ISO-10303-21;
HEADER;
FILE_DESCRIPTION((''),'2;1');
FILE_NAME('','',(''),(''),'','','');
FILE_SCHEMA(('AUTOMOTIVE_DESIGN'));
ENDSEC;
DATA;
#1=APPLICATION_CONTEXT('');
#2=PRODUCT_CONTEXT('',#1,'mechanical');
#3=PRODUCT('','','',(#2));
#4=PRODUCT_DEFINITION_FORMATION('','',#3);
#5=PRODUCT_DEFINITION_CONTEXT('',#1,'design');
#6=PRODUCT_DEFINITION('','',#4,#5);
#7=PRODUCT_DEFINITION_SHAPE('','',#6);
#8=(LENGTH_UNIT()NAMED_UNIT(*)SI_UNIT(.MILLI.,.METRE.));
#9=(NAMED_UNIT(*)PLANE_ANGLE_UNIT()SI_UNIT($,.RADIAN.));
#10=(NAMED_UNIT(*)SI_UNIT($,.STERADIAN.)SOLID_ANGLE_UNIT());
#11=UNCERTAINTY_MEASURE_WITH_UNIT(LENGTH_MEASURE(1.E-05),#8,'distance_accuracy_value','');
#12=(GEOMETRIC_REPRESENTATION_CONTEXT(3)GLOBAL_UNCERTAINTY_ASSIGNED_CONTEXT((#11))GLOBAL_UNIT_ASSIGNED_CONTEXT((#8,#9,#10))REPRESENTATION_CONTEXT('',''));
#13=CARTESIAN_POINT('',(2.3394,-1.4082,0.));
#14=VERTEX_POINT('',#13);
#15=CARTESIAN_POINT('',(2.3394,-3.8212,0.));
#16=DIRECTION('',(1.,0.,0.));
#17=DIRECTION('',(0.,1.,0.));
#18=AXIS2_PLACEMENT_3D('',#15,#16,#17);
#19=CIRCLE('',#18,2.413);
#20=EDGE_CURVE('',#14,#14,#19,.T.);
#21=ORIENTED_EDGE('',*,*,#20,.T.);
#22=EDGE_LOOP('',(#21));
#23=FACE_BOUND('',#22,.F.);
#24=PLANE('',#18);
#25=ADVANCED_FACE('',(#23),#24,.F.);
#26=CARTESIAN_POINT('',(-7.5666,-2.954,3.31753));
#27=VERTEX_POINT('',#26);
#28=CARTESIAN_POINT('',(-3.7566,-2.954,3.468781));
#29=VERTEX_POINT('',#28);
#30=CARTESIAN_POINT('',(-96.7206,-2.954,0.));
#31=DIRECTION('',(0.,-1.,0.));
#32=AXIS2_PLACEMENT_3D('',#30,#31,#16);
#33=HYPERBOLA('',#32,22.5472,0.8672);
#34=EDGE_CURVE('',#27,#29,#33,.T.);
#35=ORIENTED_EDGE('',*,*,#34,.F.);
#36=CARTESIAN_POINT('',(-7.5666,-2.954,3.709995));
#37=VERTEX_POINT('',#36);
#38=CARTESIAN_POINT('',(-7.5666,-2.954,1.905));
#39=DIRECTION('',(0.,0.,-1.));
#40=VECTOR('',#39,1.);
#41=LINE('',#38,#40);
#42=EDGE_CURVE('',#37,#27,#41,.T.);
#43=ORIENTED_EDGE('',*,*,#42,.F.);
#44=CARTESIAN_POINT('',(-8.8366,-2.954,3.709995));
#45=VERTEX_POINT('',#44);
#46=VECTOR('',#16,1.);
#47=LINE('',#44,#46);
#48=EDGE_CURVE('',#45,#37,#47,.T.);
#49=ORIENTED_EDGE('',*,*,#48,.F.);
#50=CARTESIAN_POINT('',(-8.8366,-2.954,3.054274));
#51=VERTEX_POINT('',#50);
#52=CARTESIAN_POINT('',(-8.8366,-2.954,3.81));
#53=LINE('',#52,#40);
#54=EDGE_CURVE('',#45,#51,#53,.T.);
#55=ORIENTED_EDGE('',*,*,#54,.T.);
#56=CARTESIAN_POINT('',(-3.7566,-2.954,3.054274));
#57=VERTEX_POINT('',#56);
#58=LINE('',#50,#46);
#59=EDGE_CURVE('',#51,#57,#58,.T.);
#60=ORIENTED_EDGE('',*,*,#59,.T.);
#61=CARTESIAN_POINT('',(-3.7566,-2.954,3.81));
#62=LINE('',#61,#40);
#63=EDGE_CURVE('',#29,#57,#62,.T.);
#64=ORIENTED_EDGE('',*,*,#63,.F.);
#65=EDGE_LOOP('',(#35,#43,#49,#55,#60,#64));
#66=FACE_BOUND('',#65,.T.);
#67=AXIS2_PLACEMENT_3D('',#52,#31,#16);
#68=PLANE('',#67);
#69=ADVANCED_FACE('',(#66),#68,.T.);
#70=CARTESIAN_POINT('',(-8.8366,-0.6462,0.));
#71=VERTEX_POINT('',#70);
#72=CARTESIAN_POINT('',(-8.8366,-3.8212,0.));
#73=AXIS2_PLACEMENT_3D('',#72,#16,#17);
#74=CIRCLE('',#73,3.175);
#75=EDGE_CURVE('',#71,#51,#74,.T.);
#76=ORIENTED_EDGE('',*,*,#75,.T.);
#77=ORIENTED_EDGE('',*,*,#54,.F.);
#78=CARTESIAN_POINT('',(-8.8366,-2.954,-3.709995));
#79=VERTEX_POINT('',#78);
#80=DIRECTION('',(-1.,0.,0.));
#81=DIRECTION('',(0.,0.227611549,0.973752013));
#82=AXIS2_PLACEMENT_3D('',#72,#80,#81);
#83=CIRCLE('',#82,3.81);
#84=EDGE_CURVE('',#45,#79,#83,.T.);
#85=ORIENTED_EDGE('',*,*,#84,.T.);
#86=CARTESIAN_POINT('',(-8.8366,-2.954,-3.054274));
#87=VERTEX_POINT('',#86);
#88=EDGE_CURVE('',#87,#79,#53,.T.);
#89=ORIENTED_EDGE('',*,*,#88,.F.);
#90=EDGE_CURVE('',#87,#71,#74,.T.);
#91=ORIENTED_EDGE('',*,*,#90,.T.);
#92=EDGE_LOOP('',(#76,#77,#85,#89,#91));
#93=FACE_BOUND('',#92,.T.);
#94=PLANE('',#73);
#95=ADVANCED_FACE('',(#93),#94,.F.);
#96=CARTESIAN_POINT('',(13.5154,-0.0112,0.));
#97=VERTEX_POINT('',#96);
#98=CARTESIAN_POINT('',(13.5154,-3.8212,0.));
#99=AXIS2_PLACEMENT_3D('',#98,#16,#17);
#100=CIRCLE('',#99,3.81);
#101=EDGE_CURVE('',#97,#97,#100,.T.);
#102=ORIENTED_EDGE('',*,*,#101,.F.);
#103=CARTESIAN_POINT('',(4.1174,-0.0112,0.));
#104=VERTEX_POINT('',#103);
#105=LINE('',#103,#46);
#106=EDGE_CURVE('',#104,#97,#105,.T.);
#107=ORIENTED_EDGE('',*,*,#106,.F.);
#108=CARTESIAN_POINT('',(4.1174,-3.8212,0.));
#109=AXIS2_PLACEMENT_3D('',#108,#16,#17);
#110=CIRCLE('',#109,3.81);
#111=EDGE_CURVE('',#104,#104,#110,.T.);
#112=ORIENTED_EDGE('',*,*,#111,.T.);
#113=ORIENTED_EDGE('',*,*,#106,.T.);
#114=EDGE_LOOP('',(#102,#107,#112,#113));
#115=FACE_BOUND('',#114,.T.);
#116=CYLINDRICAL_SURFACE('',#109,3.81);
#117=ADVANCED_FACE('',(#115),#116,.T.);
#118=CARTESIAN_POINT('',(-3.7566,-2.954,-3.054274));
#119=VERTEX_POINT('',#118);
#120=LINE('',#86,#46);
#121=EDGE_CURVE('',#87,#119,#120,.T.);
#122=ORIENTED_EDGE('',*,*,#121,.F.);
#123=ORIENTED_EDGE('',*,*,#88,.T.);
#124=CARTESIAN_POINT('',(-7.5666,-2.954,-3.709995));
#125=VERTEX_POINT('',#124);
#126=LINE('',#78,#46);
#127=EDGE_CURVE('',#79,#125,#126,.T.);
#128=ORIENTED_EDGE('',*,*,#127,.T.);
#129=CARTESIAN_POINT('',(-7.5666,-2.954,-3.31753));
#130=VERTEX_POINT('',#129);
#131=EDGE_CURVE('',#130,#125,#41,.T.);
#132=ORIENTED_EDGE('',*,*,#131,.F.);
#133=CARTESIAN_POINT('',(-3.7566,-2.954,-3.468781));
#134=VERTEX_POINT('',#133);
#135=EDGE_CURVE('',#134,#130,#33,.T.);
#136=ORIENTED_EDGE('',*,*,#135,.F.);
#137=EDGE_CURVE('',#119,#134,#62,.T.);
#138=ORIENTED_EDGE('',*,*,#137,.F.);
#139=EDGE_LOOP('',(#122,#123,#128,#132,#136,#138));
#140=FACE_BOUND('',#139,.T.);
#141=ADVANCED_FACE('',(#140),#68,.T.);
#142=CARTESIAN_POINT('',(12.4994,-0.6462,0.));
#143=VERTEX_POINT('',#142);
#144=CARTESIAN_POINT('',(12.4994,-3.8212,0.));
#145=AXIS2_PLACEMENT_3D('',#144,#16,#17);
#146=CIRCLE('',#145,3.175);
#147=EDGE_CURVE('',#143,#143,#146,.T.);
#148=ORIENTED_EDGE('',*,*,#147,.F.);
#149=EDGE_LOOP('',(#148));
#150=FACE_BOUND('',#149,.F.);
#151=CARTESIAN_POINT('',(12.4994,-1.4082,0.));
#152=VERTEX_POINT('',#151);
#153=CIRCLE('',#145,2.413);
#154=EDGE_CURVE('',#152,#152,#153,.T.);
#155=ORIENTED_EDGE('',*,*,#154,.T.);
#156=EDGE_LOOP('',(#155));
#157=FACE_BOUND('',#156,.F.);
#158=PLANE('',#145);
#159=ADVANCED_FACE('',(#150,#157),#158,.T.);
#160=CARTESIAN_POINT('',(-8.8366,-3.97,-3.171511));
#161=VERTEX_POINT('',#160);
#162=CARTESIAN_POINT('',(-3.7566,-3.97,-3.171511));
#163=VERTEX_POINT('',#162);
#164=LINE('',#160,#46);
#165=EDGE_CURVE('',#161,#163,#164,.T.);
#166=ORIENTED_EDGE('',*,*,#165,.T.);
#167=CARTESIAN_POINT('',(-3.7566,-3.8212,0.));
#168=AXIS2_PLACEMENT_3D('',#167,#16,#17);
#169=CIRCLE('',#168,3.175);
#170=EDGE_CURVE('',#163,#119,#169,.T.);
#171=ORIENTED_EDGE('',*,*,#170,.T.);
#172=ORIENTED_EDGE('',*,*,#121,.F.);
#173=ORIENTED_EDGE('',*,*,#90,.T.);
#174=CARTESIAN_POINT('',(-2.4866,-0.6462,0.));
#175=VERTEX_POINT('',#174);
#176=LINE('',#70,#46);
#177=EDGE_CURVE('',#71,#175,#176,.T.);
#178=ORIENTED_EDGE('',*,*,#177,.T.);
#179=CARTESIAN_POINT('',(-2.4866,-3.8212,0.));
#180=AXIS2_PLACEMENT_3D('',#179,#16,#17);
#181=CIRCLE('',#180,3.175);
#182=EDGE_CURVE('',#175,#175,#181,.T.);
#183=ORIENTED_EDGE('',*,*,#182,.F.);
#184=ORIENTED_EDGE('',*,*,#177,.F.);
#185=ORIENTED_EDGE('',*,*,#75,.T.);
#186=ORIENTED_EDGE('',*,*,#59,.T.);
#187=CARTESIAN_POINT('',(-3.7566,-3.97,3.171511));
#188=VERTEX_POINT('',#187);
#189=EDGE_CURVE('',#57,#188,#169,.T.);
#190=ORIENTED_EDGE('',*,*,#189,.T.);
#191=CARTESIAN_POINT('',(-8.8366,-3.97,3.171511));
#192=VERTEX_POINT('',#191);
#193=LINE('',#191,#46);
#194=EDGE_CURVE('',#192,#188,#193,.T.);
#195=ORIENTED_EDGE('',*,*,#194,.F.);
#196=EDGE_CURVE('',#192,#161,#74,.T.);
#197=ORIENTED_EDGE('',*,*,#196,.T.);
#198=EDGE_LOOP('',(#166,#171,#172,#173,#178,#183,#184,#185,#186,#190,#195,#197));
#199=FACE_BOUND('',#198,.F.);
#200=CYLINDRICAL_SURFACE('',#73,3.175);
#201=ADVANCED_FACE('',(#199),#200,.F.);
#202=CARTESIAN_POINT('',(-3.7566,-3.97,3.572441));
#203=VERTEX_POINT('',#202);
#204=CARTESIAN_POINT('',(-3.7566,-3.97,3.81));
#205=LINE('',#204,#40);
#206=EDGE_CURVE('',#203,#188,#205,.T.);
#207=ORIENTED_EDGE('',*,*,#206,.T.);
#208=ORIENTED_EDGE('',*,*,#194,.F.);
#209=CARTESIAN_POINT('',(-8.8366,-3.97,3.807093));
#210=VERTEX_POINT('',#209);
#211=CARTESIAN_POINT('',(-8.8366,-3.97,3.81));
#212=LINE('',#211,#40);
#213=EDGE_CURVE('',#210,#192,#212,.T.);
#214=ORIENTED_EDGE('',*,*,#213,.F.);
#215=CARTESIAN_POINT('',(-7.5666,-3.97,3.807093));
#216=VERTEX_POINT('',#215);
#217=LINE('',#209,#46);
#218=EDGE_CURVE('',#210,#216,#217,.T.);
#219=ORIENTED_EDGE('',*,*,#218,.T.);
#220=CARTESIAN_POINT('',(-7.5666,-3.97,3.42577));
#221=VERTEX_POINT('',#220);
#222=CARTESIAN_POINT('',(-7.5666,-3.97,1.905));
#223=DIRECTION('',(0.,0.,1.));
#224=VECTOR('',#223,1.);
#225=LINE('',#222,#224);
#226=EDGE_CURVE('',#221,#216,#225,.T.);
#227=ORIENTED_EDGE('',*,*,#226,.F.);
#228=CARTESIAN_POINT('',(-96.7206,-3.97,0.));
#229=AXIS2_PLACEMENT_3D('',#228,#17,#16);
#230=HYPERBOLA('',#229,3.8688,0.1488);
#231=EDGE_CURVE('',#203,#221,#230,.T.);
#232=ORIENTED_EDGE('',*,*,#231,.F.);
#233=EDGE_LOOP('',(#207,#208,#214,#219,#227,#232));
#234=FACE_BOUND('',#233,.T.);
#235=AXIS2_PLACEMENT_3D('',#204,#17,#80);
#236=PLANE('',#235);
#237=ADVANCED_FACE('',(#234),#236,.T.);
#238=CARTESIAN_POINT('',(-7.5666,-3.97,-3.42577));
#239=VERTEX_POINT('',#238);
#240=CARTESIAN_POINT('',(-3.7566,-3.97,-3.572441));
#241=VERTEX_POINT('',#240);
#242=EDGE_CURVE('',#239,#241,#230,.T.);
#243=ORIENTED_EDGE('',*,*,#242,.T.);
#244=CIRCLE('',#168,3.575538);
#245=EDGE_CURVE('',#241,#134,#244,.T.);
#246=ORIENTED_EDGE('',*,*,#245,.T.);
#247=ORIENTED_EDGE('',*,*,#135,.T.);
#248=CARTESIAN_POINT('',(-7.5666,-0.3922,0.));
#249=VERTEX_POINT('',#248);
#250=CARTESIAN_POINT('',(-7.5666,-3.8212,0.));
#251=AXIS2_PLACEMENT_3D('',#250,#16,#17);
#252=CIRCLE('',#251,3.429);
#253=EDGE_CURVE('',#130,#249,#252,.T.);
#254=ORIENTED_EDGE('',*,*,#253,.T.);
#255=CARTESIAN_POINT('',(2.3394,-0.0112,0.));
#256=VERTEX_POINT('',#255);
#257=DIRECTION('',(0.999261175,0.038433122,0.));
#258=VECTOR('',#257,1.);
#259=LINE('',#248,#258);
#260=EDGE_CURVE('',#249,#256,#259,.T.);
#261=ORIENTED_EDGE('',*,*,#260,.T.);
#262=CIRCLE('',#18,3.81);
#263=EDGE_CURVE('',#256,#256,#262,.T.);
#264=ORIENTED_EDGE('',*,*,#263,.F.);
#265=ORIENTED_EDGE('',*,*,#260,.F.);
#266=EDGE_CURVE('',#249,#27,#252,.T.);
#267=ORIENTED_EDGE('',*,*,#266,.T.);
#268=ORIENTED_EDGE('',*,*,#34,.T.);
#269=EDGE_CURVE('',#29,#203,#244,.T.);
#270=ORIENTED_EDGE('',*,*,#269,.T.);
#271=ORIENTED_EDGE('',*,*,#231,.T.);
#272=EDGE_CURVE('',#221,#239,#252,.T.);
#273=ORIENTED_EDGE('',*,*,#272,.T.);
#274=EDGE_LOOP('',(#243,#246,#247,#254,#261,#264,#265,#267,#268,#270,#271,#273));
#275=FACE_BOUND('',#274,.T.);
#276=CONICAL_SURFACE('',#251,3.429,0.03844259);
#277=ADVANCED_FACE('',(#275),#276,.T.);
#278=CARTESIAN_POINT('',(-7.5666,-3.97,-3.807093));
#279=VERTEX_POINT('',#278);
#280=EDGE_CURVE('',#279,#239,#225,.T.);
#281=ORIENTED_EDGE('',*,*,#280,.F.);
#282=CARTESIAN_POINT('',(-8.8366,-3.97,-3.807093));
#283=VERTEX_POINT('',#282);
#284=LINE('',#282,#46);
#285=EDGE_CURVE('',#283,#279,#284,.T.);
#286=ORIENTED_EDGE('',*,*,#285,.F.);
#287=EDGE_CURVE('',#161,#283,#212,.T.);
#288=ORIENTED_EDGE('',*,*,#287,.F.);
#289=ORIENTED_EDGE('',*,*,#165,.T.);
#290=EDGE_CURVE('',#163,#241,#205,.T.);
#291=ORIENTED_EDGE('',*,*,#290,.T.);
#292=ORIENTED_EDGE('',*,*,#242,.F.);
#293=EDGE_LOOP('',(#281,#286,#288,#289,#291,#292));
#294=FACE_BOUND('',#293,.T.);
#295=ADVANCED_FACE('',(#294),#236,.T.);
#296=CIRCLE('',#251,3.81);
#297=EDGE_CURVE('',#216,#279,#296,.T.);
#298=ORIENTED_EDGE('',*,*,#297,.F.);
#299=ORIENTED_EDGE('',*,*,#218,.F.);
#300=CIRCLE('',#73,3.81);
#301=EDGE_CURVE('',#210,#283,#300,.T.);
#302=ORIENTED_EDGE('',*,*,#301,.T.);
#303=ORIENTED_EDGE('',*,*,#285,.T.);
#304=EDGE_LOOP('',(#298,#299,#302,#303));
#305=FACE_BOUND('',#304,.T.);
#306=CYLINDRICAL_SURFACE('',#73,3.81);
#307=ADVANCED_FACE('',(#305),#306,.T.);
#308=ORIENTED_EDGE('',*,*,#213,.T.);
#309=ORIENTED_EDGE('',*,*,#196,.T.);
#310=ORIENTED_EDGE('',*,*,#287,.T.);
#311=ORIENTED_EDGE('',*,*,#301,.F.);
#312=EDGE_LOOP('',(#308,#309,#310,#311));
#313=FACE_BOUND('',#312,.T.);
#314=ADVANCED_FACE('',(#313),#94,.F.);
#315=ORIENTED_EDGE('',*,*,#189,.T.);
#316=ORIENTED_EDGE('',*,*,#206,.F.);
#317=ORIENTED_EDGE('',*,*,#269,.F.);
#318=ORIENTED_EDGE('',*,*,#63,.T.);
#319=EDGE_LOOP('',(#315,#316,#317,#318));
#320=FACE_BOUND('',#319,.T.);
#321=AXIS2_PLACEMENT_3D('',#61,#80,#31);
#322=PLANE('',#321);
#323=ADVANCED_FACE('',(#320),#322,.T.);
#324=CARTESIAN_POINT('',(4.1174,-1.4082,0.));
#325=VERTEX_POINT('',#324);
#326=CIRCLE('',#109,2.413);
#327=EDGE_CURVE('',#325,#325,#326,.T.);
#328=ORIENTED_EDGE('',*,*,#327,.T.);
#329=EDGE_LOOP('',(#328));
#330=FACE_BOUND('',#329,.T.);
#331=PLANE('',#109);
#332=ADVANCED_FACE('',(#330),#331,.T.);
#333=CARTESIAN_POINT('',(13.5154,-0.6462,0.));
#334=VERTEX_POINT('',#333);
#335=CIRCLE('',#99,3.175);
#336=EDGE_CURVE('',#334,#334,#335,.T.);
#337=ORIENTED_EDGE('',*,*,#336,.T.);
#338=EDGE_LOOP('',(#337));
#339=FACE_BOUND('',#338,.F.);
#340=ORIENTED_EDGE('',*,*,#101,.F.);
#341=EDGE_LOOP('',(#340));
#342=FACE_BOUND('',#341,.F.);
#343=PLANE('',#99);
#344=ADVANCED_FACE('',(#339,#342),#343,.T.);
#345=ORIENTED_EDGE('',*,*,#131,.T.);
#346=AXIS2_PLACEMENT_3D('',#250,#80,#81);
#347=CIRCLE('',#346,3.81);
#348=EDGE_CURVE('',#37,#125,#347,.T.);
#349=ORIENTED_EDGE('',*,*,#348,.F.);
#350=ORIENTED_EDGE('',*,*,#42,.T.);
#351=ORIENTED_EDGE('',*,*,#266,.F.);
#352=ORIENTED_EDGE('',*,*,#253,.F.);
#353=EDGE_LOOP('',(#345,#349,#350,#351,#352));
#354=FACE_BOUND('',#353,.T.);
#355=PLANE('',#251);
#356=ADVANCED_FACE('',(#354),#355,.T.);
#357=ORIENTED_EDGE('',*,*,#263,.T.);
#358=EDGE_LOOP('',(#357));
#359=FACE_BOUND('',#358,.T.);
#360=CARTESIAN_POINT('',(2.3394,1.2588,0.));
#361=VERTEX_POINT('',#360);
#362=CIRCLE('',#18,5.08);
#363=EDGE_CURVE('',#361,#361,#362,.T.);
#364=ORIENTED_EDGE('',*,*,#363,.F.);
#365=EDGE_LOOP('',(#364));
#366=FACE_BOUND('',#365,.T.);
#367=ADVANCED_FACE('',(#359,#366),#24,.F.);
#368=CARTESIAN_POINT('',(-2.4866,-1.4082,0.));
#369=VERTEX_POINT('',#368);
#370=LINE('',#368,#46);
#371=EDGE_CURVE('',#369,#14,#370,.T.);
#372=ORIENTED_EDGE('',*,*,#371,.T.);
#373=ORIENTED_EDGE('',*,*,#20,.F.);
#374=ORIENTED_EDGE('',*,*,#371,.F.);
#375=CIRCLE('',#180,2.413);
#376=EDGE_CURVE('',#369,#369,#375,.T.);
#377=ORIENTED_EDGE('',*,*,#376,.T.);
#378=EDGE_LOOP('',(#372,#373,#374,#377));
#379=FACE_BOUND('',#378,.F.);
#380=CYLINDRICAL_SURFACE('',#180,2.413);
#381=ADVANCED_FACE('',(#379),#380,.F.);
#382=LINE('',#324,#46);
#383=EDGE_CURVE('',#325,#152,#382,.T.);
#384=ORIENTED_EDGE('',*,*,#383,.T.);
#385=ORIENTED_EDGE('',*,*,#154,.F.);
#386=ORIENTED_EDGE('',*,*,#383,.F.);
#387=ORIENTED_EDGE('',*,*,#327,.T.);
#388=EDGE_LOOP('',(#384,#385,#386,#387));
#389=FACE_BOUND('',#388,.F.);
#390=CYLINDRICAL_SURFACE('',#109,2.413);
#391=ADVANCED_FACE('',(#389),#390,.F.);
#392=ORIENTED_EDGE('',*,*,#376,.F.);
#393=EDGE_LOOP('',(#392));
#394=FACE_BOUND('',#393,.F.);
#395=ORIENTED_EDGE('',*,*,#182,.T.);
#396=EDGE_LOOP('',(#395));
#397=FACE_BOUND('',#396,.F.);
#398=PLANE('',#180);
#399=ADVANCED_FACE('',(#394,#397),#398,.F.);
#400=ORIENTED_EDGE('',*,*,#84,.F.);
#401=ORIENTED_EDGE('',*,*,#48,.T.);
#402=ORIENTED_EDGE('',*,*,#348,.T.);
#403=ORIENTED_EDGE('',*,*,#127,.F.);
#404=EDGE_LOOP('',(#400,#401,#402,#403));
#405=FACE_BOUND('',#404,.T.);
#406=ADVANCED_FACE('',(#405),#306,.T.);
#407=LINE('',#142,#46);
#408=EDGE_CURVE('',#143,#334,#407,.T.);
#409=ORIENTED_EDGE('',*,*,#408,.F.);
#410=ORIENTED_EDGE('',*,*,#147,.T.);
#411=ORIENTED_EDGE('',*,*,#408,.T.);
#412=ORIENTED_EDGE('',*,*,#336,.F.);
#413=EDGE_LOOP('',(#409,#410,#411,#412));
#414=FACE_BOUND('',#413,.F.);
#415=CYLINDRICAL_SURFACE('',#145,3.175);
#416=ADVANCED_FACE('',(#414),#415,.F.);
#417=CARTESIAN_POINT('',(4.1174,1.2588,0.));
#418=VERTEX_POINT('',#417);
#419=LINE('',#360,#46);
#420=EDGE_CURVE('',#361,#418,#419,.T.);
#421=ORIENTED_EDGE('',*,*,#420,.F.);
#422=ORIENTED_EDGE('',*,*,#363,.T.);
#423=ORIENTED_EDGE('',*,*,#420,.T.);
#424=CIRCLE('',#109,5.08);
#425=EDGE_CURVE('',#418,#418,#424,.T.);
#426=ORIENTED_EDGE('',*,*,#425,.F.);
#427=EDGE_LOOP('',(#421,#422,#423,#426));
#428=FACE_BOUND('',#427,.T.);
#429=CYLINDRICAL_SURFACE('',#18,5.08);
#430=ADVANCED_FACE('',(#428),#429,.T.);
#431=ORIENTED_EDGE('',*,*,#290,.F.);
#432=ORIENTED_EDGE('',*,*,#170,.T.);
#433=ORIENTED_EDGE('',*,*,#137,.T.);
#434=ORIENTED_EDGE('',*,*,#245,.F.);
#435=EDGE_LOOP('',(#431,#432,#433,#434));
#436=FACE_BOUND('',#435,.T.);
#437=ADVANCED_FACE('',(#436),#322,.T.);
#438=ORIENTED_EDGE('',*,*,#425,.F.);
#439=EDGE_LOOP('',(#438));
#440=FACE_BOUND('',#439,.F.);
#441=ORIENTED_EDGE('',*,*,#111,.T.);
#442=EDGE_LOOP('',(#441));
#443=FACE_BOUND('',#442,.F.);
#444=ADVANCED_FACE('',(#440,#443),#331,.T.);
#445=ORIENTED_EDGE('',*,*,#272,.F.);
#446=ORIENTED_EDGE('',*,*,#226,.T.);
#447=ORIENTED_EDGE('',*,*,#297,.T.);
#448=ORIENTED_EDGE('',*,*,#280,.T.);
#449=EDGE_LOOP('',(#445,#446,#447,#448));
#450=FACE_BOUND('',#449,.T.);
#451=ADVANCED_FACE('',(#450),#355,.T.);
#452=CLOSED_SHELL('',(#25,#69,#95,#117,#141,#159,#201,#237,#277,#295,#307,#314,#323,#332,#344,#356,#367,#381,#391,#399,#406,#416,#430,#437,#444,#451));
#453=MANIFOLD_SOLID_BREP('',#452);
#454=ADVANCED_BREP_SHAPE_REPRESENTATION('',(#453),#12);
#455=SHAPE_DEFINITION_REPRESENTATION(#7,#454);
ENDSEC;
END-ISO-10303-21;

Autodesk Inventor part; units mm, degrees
ref_plane "YZ Plane" through (0, 0, 0) normal (1, 0, 0) x (0, 1, 0)
ref_plane "XZ Plane" through (0, 0, 0) normal (0, 1, 0) x (-1, 0, 0)
sketch "Sketch1" plane through (0, 0, 0) normal (0, 0, 1) x (1, 0, 0)
  line L0 (-8.8366, -0.0112) -> (13.5154, -0.0112) construction
  line L1 (-8.8366, -0.6462) -> (-2.4866, -0.6462)
  line L2 (-2.4866, -0.6462) -> (-2.4866, -1.4082)
  line L3 (-2.4866, -1.4082) -> (2.3394, -1.4082)
  line L4 (-8.8366, 1.2588) -> (13.5154, 1.2588) construction
  line L5 (-8.8366, -8.9012) -> (-7.5666, -8.9012) construction
  line L6 (2.3394, -1.4082) -> (2.3394, -3.8212)
  line L7 (4.1174, -1.4082) -> (4.1174, -3.8212)
  line L8 (4.1174, -1.4082) -> (12.4994, -1.4082)
  line L9 (12.4994, -1.4082) -> (12.4994, -0.6462)
  line L10 (12.4994, -0.6462) -> (13.5154, -0.6462)
  line L11 (13.5154, -0.6462) -> (13.5154, -0.0112)
  line L12 (-8.8366, -0.6462) -> (-8.8366, -0.0112)
  line L13 (-8.8366, -0.0112) -> (-7.5666, -0.0112)
  line L14 (-7.5666, -0.0112) -> (-7.5666, -0.3922)
  line L15 (-7.5666, -0.3922) -> (2.3394, -0.0112)
  line L16 (2.3394, -0.0112) -> (2.3394, 1.2588)
  line L17 (2.3394, 1.2588) -> (4.1174, 1.2588)
  line L18 (4.1174, -0.0112) -> (4.1174, 1.2588)
  line L19 (4.1174, -0.0112) -> (13.5154, -0.0112)
  line L20 (-8.8366, -3.8212) -> (15.1492, -3.8212) construction
  line L21 (4.1174, -7.6312) -> (4.1174, -7.6996)
  line L22 (2.3394, -3.8212) -> (4.1174, -3.8212)
  point P0 (0, 0)
  dimension "d0" = 22.352
  dimension "d4" = 0.635
  dimension "d7" = 0.762
  dimension "d11" = 1.27
  dimension "d15" = 8.382
  dimension "d17" = 0.762
  dimension "d18" = 1.27
  dimension "d19" = 0.381
  dimension "d21" = 90
  dimension "d22" = 1.016
  dimension "d23" = 9.398
  dimension "d24" = 9.398
  dimension "d25" = 11.176
  dimension "d26" = 16.002
  dimension "d27" = 1.905
  dimension "d28" = 3.175
  dimension "d29" = 8.255
  dimension "d30" = 13.5154
  dimension "d31" = 0.6462
  dimension "d32" = 1.6337
  dimension "d33" = 0
  dimension "d34" = 6.985
  dimension "d35" = 7.0534
  dimension "d36" = 22.352
  dimension "d37" = 22.352
revolve "Revolution1" add sketch "Sketch1" angle 360 about axis through (-8.8366, -3.8212, 0) along (1, 0, 0)
ref_plane "Work Plane1" through (-8.2016, -3.8212, 3.81) normal (0, 0, 1) x (1, 0, 0)
sketch "Sketch2" plane through (-8.2016, -3.8212, 3.81) normal (0, 0, 1) x (1, 0, 0)
  line L0 (-0.635, -3.81) -> (-0.635, 3.81) projected
  line L1 (-0.635, 0.8672) -> (4.445, 0.8672)
  line L2 (4.445, 0.8672) -> (4.445, -0.1488)
  line L3 (4.445, -0.1488) -> (-0.635, -0.1488)
  point P0 (8.2016, 3.8212)
  dimension "d44" = 5.08
  dimension "d45" = 1.016
  dimension "d46" = 2.9541
extrude "Extrusion1" cut sketch "Sketch2" against normal through all
properties part number "AHHHHHHHHHHHHHHHHHHH"
